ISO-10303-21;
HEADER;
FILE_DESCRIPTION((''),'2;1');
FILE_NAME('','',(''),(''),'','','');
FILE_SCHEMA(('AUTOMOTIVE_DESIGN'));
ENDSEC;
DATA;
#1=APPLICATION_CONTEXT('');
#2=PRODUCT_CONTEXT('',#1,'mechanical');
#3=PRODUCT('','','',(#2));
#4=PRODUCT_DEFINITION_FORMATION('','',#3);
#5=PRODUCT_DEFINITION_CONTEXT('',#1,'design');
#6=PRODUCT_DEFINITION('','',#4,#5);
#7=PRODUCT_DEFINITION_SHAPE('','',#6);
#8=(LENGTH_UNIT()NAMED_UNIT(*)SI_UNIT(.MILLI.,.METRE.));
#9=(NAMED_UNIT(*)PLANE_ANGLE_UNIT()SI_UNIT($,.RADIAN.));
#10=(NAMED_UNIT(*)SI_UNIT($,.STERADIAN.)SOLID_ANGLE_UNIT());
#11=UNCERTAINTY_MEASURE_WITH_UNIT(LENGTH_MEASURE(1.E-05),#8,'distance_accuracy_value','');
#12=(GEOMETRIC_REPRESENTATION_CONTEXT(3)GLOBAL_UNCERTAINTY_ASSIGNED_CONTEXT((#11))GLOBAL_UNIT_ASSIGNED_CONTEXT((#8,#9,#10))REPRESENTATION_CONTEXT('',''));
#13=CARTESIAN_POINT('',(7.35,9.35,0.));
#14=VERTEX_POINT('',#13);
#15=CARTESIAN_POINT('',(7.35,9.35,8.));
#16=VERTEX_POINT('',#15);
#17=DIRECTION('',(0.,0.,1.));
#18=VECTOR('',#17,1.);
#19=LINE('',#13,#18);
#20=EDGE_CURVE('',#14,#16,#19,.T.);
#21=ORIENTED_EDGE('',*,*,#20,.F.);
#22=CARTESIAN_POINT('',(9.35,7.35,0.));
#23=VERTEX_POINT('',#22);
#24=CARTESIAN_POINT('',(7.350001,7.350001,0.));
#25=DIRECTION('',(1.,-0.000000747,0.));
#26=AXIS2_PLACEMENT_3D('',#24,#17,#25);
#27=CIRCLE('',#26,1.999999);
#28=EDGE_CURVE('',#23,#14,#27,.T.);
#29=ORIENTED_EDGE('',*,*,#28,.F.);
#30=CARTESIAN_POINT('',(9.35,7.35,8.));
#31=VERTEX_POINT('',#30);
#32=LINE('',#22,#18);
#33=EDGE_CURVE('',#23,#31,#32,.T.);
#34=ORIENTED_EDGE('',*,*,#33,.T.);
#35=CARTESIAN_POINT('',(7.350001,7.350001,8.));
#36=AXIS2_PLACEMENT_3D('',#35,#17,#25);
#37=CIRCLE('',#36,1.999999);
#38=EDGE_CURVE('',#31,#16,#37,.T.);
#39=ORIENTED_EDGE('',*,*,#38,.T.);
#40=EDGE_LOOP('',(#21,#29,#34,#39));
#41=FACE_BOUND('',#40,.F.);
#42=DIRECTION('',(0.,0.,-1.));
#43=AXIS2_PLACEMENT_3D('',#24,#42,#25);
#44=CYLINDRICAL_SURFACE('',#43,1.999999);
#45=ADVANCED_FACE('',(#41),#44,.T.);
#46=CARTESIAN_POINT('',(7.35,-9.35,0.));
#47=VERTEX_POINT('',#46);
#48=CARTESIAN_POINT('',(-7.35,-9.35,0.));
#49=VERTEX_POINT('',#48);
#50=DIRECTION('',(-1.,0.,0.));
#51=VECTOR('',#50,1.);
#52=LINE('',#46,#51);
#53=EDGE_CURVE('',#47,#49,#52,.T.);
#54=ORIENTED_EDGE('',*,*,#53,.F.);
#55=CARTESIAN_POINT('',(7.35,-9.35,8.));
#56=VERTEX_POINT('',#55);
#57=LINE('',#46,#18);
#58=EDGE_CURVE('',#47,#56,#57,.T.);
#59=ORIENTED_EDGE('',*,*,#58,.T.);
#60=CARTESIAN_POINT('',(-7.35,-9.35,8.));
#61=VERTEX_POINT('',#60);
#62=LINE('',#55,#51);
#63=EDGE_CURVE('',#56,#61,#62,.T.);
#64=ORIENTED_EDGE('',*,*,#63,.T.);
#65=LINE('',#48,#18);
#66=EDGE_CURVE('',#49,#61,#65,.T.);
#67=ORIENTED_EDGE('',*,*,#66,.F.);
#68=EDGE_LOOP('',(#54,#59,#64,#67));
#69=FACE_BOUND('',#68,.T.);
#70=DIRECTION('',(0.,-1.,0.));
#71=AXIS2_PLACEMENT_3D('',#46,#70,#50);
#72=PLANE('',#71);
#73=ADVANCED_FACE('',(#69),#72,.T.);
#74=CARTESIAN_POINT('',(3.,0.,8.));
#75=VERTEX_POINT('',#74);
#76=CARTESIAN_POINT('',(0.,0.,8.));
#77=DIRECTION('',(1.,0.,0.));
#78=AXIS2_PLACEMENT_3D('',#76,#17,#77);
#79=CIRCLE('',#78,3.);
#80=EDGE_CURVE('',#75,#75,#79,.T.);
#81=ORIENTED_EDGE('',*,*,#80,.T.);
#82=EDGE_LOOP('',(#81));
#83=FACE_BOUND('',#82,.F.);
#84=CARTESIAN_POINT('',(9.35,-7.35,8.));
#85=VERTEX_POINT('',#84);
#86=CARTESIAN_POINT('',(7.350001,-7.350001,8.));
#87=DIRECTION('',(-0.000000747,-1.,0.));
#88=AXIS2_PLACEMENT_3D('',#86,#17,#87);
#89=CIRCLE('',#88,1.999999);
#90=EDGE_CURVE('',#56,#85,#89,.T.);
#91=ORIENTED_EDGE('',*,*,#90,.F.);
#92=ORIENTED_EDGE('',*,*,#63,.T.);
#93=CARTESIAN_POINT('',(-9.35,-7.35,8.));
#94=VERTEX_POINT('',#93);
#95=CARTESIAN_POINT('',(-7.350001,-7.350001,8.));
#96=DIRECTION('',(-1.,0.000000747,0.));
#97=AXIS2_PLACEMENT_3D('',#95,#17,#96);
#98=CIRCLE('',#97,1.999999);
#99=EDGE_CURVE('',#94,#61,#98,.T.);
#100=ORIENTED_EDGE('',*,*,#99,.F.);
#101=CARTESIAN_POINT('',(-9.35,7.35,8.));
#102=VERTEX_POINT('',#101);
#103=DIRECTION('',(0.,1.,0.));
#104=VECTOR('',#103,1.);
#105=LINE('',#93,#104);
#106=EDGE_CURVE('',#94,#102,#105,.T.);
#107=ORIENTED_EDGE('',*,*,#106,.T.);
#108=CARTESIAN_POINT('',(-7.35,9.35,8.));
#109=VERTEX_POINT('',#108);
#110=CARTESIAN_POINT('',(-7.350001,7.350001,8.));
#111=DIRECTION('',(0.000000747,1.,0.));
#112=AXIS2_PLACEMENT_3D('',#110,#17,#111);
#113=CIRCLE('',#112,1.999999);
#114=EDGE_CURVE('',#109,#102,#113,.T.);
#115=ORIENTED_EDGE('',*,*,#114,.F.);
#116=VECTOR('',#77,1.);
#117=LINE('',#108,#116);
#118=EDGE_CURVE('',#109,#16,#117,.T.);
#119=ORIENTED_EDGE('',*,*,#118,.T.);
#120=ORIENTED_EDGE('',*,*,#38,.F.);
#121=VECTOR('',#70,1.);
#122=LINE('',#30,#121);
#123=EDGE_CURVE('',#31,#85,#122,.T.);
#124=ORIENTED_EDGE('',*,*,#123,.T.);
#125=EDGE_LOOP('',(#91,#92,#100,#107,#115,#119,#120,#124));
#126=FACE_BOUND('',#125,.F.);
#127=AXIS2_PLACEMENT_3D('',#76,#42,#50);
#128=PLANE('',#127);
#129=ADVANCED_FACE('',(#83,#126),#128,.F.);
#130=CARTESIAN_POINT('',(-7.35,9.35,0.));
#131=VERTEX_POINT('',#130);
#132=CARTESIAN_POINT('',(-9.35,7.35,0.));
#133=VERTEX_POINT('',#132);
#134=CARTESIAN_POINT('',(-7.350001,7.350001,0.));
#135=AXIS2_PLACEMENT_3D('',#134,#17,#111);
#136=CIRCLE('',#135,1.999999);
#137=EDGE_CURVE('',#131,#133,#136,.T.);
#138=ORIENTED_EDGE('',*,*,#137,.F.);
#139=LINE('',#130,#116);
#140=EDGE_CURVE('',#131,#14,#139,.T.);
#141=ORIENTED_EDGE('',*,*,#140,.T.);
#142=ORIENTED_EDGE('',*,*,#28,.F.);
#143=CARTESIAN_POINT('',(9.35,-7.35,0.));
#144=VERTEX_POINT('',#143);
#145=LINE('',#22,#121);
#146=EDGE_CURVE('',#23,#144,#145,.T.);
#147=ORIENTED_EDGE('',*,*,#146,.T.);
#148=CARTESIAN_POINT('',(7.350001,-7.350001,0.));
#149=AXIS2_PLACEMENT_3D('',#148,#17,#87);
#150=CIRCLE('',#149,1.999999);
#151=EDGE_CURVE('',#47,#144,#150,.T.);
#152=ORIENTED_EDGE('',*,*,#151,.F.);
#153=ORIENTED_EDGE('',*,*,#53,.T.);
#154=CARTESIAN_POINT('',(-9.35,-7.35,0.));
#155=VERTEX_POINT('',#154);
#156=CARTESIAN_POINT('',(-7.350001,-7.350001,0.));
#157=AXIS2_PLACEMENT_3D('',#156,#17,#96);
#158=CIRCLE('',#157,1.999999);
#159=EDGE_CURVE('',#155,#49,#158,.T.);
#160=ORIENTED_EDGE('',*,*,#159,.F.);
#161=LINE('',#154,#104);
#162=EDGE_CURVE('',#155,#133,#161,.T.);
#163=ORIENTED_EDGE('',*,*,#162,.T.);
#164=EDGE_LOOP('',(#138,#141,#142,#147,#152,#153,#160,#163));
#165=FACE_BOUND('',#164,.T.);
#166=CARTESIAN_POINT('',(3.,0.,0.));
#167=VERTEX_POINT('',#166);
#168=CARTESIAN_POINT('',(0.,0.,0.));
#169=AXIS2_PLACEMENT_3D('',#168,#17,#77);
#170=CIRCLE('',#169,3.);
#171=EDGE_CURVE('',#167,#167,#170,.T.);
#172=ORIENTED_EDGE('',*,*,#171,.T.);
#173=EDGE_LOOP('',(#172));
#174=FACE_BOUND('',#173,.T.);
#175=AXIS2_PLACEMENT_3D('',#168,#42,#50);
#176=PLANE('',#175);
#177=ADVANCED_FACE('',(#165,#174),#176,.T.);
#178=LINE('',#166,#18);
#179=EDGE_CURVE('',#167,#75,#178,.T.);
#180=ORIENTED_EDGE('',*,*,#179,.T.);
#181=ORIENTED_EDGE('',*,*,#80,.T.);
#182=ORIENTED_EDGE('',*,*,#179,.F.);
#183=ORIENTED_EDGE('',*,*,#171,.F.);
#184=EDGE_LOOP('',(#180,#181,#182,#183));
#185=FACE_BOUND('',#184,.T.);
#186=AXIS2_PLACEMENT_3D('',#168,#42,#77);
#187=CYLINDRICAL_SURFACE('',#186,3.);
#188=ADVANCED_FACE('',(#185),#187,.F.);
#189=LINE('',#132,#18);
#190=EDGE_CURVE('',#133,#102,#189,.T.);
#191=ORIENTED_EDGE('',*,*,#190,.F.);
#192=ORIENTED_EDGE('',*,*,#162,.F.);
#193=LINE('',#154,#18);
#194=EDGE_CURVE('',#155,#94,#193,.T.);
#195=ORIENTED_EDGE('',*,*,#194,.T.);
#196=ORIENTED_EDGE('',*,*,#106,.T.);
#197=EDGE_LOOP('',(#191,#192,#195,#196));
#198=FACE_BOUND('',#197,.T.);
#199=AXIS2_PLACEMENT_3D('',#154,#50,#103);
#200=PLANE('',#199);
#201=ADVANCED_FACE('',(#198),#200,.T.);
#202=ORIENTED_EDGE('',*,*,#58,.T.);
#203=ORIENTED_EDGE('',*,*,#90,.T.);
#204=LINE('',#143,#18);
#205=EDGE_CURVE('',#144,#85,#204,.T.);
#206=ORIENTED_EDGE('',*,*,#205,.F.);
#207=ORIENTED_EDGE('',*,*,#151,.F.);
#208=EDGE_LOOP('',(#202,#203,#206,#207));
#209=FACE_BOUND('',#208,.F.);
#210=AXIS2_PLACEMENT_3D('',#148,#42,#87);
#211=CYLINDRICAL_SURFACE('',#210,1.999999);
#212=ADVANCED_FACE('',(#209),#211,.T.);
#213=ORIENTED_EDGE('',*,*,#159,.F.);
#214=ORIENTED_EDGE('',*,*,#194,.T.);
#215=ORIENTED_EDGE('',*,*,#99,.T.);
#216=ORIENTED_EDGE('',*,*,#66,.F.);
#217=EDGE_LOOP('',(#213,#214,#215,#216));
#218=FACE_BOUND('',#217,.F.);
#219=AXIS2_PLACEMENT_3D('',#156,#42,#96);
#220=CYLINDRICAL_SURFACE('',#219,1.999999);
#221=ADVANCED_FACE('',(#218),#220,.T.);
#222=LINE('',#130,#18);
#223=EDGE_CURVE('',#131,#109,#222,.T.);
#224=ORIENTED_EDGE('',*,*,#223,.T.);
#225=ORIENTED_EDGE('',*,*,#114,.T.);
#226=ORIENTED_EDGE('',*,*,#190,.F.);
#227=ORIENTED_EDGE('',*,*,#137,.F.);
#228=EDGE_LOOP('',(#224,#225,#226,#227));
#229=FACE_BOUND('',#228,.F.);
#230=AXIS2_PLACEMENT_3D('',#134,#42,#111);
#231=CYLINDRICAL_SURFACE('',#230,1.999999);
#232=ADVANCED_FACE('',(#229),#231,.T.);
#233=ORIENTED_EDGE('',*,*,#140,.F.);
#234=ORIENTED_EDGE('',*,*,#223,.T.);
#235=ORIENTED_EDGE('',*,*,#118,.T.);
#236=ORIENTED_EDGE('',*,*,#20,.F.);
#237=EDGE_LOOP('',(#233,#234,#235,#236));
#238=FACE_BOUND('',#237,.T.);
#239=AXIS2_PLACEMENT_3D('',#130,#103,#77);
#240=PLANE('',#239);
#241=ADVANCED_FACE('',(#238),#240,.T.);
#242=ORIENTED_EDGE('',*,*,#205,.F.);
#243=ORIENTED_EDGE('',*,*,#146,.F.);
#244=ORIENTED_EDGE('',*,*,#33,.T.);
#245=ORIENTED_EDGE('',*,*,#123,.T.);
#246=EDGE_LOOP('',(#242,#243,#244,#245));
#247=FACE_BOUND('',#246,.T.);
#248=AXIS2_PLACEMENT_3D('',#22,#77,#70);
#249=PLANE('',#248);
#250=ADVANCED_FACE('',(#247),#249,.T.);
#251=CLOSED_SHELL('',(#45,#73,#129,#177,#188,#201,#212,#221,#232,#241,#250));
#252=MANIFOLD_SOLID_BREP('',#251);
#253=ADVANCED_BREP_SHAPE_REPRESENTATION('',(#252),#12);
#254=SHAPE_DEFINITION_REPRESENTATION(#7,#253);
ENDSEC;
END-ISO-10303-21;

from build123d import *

# Parameters (mm, degrees)
SKETCH_R  = 3
PAD_DEPTH = 8


with BuildPart() as part:
    # Sketch → Pad (new body)
    with BuildSketch(Plane.XY):
        with BuildLine():
            Line((-7.35, 9.35), (7.35, 9.35))
            ThreePointArc((9.35, 7.35), (8.764214, 8.764214), (7.35, 9.35))
            Line((9.35, 7.35), (9.35, -7.35))
            ThreePointArc((7.35, -9.35), (8.764214, -8.764214), (9.35, -7.35))
            Line((7.35, -9.35), (-7.35, -9.35))
            ThreePointArc((-9.35, -7.35), (-8.764214, -8.764214), (-7.35, -9.35))
            Line((-9.35, -7.35), (-9.35, 7.35))
            ThreePointArc((-7.35, 9.35), (-8.764214, 8.764214), (-9.35, 7.35))
        make_face()
        Circle(SKETCH_R, mode=Mode.SUBTRACT)
    extrude(amount=PAD_DEPTH)


solid = part.part
